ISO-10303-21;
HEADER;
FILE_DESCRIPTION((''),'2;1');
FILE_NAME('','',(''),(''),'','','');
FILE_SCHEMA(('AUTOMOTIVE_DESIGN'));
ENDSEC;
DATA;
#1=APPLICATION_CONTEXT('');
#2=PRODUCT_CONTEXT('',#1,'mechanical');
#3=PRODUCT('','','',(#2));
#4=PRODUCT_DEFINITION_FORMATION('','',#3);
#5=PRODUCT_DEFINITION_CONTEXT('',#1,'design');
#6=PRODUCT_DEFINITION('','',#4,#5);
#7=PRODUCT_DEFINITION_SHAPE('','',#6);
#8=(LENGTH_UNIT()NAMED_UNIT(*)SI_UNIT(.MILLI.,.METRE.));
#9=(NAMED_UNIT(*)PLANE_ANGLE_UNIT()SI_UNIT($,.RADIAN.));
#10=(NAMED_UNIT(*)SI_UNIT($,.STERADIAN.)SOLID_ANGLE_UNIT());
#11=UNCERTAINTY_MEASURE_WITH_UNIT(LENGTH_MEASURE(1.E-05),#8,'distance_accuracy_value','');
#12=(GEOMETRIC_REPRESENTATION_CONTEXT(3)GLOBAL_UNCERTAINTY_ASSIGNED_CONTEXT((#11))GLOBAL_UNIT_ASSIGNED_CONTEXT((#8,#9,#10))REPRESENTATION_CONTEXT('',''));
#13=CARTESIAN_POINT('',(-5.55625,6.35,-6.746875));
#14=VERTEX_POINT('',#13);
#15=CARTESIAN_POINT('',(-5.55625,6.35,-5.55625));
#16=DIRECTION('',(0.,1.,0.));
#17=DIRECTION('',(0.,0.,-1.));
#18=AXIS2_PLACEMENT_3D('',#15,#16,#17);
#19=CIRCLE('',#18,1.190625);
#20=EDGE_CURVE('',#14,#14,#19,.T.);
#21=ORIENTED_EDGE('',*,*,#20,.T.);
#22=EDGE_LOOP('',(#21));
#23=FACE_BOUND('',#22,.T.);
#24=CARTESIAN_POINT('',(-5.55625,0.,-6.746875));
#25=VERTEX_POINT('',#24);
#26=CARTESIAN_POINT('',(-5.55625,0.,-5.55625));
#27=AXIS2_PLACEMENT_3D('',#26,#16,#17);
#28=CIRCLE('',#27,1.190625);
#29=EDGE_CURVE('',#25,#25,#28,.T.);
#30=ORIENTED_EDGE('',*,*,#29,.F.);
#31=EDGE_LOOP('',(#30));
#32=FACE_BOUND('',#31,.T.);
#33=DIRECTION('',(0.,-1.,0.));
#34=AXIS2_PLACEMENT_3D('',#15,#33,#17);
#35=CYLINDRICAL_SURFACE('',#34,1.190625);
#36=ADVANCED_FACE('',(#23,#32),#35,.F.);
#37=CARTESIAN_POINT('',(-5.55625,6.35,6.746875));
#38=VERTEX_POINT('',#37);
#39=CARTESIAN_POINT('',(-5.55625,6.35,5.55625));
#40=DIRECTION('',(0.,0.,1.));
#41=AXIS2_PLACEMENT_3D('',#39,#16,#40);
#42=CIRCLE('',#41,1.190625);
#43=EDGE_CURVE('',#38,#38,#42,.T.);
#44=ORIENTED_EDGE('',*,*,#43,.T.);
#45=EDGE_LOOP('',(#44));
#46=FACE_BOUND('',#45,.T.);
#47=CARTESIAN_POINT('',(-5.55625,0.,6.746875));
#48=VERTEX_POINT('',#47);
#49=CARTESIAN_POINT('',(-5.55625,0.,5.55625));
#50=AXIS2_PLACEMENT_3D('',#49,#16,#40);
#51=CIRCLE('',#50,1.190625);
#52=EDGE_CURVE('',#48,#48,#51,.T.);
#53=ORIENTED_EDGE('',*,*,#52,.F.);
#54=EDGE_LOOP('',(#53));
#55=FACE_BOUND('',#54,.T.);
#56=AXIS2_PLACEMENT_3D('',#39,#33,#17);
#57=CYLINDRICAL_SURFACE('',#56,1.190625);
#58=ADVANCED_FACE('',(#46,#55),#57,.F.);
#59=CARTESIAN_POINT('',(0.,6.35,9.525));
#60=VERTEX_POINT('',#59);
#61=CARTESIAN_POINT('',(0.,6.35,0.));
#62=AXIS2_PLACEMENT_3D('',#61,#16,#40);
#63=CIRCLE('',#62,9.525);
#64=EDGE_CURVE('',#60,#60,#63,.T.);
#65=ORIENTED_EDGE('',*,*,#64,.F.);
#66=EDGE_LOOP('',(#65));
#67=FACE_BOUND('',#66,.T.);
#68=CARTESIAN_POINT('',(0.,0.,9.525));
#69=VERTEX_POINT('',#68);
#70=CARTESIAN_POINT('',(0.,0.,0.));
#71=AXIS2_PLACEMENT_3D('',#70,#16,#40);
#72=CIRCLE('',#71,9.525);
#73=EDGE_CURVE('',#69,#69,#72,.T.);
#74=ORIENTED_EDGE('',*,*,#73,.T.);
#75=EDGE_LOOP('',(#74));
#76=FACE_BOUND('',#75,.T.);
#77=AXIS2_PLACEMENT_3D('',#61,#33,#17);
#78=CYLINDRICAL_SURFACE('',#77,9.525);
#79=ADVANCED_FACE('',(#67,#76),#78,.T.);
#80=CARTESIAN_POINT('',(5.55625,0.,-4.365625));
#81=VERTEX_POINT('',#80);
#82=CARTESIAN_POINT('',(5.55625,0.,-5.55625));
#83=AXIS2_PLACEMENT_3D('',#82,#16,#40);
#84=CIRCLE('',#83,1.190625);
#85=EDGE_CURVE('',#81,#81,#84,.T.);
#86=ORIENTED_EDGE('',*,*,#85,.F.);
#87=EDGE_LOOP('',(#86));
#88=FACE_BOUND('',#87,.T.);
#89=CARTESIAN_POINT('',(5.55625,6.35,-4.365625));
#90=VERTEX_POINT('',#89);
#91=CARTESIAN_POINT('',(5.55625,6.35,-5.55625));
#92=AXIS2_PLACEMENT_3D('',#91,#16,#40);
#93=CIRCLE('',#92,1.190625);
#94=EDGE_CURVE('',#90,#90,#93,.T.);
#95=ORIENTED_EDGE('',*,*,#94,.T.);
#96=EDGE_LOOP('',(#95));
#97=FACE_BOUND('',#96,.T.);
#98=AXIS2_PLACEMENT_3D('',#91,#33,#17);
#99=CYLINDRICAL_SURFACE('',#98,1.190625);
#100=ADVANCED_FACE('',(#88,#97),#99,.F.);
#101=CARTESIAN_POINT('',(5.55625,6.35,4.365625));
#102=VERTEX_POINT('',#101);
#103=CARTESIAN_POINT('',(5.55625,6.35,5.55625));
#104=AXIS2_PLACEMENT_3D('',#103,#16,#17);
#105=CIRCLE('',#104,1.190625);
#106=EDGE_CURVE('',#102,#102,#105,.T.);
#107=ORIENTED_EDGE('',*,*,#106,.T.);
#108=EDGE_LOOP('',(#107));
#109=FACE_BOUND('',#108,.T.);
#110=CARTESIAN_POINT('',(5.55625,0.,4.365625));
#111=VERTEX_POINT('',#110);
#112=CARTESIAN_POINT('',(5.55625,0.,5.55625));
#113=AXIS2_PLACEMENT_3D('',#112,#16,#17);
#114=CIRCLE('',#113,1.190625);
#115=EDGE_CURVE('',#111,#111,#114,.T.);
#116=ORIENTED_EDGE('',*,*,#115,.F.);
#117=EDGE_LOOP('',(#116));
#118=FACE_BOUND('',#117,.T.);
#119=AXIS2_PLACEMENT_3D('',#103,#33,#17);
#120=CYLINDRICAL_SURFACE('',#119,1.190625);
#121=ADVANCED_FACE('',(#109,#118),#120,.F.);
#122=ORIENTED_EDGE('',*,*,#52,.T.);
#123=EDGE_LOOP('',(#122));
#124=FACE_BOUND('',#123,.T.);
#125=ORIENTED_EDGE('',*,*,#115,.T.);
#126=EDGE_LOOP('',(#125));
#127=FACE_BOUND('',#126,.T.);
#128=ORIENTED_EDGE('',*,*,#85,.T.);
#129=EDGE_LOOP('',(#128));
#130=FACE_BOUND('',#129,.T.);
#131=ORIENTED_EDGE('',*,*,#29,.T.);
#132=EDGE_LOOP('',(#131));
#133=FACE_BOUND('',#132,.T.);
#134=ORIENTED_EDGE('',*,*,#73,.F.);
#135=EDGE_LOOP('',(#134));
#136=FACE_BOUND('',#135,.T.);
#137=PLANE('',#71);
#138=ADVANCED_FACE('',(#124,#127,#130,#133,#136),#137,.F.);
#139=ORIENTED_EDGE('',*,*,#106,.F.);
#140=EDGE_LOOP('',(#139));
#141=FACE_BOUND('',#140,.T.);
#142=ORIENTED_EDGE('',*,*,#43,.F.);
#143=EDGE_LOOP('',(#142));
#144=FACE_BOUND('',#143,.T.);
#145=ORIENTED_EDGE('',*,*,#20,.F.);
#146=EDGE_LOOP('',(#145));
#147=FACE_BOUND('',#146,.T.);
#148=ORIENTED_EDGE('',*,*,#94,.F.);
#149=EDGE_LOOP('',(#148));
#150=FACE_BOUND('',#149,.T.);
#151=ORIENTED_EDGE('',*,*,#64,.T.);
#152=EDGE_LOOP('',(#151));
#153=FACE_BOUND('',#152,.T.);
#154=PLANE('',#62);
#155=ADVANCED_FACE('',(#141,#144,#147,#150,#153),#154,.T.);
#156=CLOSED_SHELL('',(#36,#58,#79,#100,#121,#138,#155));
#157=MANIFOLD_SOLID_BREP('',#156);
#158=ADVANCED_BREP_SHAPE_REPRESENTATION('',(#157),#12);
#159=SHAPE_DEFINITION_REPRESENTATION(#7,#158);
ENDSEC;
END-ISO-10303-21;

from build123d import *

# Parameters (mm, degrees)
SKETCH1_R           = 9.525
SKETCH1_R_2         = 1.190625
BOSS_EXTRUDE1_DEPTH = 6.35


with BuildPart() as part:
    # Sketch1 → Boss-Extrude1 (new body)
    with BuildSketch(Plane(origin=(0, 0, 0), x_dir=(1, 0, 0), z_dir=(0, 1, 0))):
        with Locations(Location((0, 0, 0), (0, 0, 270))):
            Circle(SKETCH1_R)
        with Locations(Location((5.55625, 5.55625, 0), (0, 0, 270))):
            Circle(SKETCH1_R_2, mode=Mode.SUBTRACT)
        with Locations(Location((5.55625, -5.55625, 0), (0, 0, 90))):
            Circle(SKETCH1_R_2, mode=Mode.SUBTRACT)
        with Locations(Location((-5.55625, -5.55625, 0), (0, 0, 270))):
            Circle(SKETCH1_R_2, mode=Mode.SUBTRACT)
        with Locations(Location((-5.55625, 5.55625, 0), (0, 0, 90))):
            Circle(SKETCH1_R_2, mode=Mode.SUBTRACT)
    extrude(amount=BOSS_EXTRUDE1_DEPTH)


solid = part.part
